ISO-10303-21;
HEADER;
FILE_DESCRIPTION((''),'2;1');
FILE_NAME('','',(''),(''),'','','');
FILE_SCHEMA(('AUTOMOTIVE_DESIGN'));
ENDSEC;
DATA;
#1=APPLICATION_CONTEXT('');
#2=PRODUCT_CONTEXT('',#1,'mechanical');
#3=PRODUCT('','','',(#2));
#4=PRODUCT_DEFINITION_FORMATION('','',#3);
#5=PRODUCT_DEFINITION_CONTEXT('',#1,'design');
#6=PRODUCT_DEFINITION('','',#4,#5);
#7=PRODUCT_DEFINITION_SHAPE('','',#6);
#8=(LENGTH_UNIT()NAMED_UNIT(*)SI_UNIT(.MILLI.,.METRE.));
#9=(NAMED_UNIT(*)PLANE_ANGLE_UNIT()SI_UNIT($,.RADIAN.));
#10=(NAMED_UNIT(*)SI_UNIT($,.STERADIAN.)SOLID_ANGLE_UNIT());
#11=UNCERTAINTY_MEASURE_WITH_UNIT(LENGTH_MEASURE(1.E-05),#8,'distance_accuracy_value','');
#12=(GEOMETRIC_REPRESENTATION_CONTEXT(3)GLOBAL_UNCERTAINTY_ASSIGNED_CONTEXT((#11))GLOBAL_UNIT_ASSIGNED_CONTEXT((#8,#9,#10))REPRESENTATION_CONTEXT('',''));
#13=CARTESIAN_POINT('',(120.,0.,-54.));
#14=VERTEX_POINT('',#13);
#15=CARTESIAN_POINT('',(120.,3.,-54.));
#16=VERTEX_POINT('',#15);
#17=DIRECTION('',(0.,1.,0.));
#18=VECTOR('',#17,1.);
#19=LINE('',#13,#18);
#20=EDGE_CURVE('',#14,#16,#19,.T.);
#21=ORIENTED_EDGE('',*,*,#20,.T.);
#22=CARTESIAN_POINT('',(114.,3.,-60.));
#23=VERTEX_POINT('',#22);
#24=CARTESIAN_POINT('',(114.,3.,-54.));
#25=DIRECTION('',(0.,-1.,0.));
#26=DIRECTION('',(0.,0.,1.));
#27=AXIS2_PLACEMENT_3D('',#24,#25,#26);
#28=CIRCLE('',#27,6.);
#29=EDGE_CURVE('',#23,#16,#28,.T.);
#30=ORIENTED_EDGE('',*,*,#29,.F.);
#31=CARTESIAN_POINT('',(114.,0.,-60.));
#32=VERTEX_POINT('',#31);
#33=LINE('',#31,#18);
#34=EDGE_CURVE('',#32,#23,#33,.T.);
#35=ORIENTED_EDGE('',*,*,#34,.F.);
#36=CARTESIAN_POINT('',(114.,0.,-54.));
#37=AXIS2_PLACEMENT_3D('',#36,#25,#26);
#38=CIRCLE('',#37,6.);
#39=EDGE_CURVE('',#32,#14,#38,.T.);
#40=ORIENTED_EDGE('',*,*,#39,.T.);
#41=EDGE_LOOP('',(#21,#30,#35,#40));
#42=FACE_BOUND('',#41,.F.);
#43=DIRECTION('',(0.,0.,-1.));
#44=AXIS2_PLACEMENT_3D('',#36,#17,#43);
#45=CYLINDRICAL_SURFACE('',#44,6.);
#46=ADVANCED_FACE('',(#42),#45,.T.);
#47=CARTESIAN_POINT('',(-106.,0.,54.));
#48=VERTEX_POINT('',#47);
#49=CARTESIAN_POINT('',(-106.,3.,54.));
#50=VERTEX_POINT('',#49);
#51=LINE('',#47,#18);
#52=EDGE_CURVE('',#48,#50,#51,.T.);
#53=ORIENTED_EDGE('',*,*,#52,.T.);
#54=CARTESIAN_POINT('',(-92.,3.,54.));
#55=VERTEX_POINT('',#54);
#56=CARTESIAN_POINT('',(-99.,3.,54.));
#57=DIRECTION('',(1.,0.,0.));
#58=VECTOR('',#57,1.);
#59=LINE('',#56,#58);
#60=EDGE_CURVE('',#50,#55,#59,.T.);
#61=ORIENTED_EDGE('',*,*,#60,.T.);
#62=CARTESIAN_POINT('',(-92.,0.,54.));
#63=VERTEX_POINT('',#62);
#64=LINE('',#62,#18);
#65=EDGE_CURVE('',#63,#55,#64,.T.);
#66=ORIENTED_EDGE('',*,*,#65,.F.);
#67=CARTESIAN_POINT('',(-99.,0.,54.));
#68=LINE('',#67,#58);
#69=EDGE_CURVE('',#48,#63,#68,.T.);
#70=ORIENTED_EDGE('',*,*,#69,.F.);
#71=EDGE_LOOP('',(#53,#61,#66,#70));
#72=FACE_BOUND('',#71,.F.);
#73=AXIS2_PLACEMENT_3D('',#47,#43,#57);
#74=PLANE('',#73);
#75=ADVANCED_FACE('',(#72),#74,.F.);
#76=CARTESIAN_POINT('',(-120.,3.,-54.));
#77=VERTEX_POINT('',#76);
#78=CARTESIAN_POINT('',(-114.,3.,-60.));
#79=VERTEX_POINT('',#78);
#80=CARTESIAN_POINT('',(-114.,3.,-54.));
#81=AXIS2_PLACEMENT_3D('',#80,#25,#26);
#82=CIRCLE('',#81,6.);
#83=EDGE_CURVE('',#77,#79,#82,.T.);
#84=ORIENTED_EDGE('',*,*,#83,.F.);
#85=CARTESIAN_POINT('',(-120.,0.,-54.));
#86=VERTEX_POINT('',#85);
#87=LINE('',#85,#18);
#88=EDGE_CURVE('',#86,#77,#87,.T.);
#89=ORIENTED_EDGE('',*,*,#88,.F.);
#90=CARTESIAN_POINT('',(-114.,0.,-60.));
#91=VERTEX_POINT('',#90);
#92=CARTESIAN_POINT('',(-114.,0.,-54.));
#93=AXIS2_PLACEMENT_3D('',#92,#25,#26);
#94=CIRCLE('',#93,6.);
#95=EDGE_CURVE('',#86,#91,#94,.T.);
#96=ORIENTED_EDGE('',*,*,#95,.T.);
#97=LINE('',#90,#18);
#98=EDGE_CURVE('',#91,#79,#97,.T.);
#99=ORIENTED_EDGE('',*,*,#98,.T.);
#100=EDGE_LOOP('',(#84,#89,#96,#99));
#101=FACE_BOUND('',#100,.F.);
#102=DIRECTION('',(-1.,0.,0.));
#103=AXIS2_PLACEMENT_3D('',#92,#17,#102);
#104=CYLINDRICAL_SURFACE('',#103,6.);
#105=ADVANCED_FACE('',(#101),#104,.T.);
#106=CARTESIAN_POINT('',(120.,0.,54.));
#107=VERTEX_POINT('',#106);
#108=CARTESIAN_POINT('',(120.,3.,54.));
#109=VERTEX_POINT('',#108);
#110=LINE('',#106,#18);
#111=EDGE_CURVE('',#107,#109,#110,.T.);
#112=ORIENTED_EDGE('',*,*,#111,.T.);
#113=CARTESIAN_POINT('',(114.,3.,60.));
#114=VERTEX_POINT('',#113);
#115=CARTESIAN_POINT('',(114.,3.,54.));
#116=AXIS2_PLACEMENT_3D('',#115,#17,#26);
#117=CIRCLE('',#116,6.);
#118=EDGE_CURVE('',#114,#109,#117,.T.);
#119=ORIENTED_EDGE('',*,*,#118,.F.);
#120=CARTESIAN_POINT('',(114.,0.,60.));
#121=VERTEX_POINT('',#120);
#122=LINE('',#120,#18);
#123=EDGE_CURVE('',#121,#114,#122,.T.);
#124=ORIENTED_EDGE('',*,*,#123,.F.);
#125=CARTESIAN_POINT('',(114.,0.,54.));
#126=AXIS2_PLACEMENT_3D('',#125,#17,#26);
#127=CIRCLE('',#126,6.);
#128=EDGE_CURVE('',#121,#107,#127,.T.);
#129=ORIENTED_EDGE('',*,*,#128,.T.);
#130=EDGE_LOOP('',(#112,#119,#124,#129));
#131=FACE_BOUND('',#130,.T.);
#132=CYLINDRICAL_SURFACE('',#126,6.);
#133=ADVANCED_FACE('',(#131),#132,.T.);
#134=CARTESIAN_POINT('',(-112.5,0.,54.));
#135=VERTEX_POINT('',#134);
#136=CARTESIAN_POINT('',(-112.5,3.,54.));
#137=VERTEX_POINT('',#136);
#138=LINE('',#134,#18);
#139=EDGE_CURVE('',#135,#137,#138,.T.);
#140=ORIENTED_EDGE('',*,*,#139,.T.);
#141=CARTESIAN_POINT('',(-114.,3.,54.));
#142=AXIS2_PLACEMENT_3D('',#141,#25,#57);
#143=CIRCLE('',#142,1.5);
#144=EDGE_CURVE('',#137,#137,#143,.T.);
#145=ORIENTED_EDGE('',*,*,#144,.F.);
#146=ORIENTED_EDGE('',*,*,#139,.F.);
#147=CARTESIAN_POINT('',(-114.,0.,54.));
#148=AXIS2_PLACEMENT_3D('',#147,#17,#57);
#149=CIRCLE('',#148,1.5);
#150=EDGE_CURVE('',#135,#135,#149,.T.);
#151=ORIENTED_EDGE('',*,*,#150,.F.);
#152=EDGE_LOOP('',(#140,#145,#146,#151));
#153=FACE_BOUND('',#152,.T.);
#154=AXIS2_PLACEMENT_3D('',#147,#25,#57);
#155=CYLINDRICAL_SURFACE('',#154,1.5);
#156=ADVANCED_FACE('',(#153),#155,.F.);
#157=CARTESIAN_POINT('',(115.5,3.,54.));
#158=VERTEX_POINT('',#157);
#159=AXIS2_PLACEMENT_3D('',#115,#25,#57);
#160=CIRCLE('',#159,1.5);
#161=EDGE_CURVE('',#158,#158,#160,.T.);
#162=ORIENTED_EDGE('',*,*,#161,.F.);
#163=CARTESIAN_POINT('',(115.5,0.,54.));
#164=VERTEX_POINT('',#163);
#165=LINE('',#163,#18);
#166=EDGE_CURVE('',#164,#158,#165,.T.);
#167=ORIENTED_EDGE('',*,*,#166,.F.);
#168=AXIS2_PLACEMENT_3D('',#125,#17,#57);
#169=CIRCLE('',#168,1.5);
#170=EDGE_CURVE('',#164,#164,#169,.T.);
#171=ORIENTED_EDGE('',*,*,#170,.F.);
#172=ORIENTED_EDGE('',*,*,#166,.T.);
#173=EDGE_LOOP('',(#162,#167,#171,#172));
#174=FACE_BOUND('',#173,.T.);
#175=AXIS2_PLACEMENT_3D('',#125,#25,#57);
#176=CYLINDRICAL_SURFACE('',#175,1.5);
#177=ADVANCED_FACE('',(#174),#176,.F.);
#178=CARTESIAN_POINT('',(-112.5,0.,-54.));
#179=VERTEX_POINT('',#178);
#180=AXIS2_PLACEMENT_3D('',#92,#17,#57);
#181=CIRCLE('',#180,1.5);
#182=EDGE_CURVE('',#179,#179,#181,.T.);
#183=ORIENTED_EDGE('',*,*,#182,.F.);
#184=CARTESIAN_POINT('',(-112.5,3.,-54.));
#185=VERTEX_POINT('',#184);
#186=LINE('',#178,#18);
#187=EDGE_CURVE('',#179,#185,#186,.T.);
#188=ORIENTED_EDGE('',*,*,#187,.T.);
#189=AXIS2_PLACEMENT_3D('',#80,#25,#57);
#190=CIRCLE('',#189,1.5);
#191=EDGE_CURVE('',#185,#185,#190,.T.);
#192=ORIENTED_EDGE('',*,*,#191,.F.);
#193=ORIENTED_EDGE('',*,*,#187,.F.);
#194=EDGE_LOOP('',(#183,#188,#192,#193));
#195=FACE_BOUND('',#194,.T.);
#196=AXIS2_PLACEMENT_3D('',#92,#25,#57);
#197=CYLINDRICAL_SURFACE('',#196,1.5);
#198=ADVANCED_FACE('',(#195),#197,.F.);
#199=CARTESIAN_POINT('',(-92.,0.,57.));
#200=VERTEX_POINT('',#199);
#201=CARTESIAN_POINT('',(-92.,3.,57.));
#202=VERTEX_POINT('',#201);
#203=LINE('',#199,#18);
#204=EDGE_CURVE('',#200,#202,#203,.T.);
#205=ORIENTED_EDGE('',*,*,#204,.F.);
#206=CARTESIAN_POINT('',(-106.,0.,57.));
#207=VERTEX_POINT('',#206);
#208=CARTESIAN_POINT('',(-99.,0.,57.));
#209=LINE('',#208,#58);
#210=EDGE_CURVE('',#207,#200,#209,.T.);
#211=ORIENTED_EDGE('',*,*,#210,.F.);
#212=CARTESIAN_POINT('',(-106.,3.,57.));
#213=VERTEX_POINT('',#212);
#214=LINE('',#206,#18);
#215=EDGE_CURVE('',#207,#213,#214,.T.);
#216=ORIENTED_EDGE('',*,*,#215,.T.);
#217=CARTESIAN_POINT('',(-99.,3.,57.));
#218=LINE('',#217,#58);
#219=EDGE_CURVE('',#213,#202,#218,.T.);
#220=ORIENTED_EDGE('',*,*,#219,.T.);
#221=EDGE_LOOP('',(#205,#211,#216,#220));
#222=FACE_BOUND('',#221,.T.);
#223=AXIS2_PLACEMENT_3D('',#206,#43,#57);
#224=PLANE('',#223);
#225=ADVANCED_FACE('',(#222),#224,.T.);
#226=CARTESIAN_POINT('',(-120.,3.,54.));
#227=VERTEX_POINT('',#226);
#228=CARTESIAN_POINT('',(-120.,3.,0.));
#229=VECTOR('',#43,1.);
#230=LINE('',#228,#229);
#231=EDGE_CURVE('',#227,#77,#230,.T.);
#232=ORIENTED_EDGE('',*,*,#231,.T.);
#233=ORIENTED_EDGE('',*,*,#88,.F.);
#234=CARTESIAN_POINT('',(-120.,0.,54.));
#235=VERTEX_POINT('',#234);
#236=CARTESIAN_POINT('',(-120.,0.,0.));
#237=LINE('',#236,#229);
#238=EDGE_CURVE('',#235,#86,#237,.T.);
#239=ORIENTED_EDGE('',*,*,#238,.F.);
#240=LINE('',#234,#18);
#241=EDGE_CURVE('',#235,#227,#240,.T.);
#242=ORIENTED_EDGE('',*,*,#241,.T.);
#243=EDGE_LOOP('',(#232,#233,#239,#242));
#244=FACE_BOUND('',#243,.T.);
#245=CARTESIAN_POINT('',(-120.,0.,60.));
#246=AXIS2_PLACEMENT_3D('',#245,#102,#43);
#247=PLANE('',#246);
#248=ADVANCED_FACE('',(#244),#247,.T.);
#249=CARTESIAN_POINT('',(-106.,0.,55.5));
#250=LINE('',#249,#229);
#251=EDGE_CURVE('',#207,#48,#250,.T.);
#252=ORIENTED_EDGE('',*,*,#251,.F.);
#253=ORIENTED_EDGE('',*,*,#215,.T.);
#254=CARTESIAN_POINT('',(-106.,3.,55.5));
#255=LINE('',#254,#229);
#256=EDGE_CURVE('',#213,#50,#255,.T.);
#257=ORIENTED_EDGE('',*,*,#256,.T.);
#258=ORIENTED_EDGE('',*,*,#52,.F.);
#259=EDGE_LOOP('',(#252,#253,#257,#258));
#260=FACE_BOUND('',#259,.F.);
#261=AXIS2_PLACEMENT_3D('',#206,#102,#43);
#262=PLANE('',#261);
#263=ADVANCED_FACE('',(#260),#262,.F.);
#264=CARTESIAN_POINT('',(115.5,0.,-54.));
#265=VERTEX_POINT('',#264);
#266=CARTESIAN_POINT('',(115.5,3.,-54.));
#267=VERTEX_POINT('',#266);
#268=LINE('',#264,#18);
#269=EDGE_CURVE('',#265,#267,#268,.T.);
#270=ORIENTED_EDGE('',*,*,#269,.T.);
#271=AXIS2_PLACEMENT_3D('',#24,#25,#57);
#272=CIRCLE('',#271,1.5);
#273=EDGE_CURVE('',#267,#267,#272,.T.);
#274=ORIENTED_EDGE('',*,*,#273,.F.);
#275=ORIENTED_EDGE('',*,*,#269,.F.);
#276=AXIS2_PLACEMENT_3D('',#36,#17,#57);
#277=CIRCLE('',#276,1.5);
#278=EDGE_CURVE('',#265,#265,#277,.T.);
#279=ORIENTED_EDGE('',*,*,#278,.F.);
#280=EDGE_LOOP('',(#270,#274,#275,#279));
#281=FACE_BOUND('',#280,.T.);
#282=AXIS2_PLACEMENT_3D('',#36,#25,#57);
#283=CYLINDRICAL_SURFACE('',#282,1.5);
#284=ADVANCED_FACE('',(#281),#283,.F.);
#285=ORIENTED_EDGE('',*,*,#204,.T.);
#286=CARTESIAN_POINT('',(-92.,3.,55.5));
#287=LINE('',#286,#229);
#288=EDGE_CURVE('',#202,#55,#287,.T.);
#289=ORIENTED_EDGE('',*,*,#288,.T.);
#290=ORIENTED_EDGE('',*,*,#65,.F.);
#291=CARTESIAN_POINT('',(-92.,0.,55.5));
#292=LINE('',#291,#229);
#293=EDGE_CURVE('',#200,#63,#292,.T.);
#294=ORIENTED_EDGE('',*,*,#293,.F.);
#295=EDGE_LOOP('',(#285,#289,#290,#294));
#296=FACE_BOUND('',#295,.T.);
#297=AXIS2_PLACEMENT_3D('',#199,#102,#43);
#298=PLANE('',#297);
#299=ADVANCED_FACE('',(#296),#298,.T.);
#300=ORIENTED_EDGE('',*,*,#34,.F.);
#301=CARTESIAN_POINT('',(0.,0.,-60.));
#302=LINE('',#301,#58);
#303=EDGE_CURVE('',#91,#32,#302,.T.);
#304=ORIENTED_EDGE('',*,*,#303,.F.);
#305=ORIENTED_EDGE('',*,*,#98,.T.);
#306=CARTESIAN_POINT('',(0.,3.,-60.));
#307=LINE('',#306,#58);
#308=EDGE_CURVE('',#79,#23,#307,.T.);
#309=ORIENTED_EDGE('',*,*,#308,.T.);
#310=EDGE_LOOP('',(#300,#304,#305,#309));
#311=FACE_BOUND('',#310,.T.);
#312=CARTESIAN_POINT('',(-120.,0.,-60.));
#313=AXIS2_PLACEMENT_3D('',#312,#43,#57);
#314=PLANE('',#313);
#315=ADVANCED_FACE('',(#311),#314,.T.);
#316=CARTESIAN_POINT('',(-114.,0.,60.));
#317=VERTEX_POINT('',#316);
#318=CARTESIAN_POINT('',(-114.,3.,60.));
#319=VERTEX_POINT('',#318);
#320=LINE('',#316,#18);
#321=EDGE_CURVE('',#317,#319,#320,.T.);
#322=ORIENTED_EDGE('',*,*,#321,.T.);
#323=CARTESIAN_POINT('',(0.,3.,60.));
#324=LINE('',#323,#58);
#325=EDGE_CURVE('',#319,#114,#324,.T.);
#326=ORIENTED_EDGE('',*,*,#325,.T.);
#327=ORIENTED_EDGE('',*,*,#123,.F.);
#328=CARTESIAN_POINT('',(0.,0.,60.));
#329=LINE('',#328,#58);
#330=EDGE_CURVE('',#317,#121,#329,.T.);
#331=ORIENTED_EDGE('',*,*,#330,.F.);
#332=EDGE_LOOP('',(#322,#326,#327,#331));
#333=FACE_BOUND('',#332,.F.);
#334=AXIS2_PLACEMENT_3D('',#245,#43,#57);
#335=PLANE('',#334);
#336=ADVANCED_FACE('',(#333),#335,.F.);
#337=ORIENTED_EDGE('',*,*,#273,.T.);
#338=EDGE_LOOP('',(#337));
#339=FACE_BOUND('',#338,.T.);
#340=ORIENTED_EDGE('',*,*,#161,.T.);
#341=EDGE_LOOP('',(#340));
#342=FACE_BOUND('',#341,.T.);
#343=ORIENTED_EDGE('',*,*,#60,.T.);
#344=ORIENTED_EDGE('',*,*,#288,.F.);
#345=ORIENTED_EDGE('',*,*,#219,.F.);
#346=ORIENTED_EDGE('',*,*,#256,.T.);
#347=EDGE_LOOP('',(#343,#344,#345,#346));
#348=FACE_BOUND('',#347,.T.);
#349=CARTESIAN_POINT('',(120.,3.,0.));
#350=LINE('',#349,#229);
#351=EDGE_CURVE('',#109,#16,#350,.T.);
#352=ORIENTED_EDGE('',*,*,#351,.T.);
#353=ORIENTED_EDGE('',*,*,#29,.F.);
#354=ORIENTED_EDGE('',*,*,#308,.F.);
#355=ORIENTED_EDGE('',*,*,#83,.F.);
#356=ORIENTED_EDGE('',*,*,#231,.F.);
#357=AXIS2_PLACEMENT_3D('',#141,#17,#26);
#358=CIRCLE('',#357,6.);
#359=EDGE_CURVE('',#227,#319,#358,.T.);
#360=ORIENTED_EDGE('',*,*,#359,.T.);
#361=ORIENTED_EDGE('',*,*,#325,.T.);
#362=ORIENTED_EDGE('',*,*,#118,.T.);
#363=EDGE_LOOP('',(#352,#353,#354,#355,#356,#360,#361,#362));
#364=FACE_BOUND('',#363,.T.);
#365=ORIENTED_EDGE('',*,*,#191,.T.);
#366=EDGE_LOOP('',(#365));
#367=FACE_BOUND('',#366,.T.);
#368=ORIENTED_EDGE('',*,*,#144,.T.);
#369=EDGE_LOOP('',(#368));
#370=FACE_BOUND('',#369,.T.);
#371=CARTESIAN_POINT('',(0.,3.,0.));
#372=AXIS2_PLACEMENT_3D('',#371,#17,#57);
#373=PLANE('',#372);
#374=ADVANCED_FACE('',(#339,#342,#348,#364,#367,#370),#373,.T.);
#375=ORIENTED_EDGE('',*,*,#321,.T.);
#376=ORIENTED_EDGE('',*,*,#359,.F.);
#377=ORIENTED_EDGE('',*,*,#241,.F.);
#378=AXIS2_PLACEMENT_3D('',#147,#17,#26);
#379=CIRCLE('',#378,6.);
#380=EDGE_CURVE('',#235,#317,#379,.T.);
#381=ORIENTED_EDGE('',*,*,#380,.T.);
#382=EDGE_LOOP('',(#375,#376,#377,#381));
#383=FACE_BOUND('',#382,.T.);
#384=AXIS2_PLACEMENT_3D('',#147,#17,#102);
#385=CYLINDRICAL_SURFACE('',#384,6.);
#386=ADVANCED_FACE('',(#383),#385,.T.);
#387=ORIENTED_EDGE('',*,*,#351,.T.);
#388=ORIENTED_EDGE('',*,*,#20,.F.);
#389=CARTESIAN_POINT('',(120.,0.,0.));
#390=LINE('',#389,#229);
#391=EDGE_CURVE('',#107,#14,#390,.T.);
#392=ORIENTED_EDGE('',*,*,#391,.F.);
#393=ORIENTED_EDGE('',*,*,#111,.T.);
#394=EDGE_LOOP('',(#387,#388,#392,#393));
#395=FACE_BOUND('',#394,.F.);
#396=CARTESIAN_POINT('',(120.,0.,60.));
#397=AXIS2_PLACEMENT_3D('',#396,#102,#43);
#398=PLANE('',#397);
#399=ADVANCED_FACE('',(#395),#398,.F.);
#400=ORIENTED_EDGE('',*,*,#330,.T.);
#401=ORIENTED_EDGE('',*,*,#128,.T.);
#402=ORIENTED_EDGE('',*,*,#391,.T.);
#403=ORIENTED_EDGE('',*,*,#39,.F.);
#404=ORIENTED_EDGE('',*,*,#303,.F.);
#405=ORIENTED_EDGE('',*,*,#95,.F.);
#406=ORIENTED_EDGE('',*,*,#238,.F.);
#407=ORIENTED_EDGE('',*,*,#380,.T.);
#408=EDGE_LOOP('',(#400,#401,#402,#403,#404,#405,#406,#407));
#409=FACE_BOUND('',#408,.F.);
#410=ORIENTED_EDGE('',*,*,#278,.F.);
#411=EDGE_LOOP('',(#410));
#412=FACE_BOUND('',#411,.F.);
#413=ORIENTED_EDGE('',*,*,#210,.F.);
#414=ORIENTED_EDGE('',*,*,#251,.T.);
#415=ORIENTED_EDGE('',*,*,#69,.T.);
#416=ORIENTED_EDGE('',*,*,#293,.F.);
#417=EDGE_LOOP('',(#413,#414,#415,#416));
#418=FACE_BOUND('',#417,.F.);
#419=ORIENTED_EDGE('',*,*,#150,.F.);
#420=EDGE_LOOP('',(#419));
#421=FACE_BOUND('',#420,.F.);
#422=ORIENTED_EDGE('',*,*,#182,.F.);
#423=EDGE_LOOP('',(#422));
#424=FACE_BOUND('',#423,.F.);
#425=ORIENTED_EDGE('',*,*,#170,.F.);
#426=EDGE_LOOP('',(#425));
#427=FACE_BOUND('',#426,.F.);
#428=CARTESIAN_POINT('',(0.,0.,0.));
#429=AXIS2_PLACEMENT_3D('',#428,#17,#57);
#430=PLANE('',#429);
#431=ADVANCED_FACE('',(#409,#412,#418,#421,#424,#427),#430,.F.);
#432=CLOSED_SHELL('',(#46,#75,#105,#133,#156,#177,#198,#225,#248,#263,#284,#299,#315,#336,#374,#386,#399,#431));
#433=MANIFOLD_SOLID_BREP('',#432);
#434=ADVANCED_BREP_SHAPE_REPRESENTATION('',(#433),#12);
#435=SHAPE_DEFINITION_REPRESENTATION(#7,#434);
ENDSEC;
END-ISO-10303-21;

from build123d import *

# Parameters (mm, degrees)
SKETCH1_W           = 240
SKETCH1_H           = 120
SKETCH1_W_2         = 14
SKETCH1_H_2         = 3
BOSS_EXTRUDE1_DEPTH = 3
FILLET1_R           = 6
SKETCH2_R           = 1.5
CUT_EXTRUDE2_DEPTH  = 4


with BuildPart() as part:
    # Sketch1 → Boss-Extrude1 (new body)
    with BuildSketch(Plane(origin=(0, 0, 0), x_dir=(1, 0, 0), z_dir=(0, 1, 0))):
        Rectangle(SKETCH1_W, SKETCH1_H)
        with Locations((-99, -55.5)):
            Rectangle(SKETCH1_W_2, SKETCH1_H_2, mode=Mode.SUBTRACT)
    extrude(amount=BOSS_EXTRUDE1_DEPTH)

    # Fillet1
    fillet1_edges = [part.edges().sort_by_distance(p)[0] for p in [
        (-120, 1.5, -60),
        (120, 1.5, -60),
        (120, 1.5, 60),
        (-120, 1.5, 60),
    ]]
    fillet(fillet1_edges, radius=FILLET1_R)

    # Sketch2 → Cut-Extrude2 (cut, through all)
    with BuildSketch(Plane(origin=(0, 0, 0), x_dir=(1, 0, 0), z_dir=(0, 1, 0))):
        with Locations((-114, 54)):
            Circle(SKETCH2_R)
        with Locations((114, 54)):
            Circle(SKETCH2_R)
        with Locations((-114, -54)):
            Circle(SKETCH2_R)
        with Locations((114, -54)):
            Circle(SKETCH2_R)
    extrude(amount=CUT_EXTRUDE2_DEPTH, mode=Mode.SUBTRACT)


solid = part.part
